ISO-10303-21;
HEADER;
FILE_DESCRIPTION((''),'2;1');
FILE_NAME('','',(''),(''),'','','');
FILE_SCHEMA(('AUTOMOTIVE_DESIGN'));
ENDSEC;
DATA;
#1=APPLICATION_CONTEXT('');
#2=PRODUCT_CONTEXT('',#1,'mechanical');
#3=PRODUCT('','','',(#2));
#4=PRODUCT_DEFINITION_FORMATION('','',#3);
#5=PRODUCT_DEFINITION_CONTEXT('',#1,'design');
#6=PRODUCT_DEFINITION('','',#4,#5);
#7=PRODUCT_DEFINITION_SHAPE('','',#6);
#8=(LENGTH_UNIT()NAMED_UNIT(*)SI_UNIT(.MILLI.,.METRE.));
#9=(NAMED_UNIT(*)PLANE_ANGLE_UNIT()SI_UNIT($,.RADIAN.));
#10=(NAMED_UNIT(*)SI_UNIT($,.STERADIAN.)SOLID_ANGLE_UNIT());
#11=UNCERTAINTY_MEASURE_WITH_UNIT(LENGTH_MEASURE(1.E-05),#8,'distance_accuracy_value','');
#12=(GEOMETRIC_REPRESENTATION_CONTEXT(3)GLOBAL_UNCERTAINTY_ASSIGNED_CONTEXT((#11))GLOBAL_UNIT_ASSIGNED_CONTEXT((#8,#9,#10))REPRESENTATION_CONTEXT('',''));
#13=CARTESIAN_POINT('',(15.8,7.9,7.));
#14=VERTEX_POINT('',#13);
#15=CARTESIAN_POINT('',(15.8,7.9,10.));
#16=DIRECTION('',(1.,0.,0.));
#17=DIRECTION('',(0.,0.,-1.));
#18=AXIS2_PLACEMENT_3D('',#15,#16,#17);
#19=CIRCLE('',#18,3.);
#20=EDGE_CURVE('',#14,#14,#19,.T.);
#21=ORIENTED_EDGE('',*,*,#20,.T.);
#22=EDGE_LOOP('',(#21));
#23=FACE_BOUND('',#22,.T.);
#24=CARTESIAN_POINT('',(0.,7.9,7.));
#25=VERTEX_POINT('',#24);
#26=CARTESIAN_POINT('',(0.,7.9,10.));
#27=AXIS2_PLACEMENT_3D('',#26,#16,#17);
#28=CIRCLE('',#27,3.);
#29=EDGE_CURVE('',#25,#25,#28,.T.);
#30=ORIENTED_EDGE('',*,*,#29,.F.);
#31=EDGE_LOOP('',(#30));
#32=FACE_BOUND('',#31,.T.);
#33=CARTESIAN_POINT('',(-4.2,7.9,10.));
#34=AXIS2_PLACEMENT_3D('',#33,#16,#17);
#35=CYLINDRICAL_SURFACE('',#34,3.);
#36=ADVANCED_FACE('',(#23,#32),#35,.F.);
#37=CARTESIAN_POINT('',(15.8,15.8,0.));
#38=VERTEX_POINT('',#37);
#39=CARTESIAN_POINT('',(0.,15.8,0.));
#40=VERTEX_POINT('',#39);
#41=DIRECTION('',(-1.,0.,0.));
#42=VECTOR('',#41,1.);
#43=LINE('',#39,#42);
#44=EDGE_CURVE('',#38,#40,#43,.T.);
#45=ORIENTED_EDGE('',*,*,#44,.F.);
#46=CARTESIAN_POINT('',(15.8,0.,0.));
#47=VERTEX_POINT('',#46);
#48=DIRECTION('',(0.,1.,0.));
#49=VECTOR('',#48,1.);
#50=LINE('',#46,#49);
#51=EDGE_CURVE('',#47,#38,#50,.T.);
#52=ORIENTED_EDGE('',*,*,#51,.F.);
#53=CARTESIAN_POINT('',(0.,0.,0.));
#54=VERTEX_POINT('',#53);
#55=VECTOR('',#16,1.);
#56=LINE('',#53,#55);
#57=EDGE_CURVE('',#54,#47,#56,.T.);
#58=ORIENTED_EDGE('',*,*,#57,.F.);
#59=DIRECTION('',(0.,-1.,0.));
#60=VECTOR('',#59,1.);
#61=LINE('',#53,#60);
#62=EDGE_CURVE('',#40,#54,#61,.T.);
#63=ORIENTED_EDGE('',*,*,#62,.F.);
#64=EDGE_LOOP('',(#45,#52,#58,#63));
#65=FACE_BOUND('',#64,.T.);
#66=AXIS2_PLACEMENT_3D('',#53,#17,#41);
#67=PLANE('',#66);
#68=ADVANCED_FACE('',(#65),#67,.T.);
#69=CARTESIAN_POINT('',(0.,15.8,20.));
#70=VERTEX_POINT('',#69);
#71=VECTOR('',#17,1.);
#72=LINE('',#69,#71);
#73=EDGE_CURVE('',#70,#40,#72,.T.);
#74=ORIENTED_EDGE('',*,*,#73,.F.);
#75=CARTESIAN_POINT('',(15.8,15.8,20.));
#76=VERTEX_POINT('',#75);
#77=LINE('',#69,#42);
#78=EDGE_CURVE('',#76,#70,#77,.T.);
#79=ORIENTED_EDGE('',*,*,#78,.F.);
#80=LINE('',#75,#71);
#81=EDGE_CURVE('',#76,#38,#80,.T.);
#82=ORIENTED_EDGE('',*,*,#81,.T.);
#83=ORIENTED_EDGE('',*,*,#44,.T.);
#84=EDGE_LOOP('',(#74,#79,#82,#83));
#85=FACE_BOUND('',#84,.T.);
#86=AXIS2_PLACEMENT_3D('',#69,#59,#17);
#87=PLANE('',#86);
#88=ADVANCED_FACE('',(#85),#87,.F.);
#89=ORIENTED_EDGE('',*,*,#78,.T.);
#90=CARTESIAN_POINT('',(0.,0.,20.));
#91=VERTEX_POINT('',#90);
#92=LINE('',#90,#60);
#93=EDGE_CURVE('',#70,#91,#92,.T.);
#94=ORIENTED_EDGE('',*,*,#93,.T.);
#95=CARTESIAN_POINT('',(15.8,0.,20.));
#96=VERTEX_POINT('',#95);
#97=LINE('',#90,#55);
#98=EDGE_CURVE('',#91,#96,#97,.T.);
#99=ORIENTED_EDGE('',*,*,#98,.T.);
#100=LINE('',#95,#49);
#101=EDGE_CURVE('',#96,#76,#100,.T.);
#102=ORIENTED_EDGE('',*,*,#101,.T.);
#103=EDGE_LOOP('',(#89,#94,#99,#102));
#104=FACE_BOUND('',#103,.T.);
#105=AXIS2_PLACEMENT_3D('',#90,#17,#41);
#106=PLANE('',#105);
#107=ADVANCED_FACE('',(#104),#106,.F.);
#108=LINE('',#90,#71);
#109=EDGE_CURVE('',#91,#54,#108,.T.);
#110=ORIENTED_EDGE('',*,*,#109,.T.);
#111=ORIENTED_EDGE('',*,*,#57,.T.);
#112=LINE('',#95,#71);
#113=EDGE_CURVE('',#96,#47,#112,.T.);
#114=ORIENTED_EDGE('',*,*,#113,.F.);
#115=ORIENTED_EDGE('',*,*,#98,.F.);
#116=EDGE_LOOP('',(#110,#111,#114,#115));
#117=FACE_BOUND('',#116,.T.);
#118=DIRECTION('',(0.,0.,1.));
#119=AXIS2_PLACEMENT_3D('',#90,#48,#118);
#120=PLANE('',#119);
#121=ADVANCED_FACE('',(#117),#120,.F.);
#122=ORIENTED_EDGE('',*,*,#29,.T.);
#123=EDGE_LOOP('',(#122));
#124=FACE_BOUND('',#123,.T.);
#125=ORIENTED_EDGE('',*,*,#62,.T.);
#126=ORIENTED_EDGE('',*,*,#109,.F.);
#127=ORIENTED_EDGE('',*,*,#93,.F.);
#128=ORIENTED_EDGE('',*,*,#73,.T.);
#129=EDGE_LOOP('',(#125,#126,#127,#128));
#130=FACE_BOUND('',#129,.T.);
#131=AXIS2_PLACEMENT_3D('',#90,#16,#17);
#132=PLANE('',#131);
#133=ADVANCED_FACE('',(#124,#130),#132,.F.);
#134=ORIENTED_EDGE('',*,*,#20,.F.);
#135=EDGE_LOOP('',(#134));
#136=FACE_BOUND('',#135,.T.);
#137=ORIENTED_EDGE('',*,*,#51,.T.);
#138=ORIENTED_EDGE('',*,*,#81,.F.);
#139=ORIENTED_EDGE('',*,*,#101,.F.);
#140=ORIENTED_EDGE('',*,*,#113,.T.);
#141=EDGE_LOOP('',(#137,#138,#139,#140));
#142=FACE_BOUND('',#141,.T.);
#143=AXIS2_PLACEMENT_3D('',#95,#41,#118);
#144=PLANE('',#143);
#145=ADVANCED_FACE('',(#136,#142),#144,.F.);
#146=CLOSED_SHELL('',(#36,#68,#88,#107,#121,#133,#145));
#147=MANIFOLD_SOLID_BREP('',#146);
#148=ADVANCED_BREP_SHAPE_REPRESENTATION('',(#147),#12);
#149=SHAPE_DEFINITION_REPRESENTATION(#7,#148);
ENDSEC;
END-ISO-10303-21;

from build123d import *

# Parameters (mm, degrees)
SZKIC1_W                    = 15.8
SZKIC1_H                    = 15.8
DODANIE_WYCI_GNI_CIE1_DEPTH = 20
SZKIC2_R                    = 3
WYTNIJ_WYCI_GNI_CIE1_DEPTH  = 20


with BuildPart() as part:
    # Szkic1 → Dodanie-wyciągnięcie1 (new body)
    with BuildSketch(Plane.XY):
        with Locations((7.9, 7.9)):
            Rectangle(SZKIC1_W, SZKIC1_H)
    extrude(amount=DODANIE_WYCI_GNI_CIE1_DEPTH)

    # Szkic2 → Wytnij-wyciągnięcie1 (cut)
    with BuildSketch(Plane(origin=(15.8, 0, 0), x_dir=(0, 0, -1), z_dir=(1, 0, 0))):
        with Locations((-10, 7.9)):
            Circle(SZKIC2_R)
    extrude(amount=-WYTNIJ_WYCI_GNI_CIE1_DEPTH, mode=Mode.SUBTRACT)


solid = part.part
